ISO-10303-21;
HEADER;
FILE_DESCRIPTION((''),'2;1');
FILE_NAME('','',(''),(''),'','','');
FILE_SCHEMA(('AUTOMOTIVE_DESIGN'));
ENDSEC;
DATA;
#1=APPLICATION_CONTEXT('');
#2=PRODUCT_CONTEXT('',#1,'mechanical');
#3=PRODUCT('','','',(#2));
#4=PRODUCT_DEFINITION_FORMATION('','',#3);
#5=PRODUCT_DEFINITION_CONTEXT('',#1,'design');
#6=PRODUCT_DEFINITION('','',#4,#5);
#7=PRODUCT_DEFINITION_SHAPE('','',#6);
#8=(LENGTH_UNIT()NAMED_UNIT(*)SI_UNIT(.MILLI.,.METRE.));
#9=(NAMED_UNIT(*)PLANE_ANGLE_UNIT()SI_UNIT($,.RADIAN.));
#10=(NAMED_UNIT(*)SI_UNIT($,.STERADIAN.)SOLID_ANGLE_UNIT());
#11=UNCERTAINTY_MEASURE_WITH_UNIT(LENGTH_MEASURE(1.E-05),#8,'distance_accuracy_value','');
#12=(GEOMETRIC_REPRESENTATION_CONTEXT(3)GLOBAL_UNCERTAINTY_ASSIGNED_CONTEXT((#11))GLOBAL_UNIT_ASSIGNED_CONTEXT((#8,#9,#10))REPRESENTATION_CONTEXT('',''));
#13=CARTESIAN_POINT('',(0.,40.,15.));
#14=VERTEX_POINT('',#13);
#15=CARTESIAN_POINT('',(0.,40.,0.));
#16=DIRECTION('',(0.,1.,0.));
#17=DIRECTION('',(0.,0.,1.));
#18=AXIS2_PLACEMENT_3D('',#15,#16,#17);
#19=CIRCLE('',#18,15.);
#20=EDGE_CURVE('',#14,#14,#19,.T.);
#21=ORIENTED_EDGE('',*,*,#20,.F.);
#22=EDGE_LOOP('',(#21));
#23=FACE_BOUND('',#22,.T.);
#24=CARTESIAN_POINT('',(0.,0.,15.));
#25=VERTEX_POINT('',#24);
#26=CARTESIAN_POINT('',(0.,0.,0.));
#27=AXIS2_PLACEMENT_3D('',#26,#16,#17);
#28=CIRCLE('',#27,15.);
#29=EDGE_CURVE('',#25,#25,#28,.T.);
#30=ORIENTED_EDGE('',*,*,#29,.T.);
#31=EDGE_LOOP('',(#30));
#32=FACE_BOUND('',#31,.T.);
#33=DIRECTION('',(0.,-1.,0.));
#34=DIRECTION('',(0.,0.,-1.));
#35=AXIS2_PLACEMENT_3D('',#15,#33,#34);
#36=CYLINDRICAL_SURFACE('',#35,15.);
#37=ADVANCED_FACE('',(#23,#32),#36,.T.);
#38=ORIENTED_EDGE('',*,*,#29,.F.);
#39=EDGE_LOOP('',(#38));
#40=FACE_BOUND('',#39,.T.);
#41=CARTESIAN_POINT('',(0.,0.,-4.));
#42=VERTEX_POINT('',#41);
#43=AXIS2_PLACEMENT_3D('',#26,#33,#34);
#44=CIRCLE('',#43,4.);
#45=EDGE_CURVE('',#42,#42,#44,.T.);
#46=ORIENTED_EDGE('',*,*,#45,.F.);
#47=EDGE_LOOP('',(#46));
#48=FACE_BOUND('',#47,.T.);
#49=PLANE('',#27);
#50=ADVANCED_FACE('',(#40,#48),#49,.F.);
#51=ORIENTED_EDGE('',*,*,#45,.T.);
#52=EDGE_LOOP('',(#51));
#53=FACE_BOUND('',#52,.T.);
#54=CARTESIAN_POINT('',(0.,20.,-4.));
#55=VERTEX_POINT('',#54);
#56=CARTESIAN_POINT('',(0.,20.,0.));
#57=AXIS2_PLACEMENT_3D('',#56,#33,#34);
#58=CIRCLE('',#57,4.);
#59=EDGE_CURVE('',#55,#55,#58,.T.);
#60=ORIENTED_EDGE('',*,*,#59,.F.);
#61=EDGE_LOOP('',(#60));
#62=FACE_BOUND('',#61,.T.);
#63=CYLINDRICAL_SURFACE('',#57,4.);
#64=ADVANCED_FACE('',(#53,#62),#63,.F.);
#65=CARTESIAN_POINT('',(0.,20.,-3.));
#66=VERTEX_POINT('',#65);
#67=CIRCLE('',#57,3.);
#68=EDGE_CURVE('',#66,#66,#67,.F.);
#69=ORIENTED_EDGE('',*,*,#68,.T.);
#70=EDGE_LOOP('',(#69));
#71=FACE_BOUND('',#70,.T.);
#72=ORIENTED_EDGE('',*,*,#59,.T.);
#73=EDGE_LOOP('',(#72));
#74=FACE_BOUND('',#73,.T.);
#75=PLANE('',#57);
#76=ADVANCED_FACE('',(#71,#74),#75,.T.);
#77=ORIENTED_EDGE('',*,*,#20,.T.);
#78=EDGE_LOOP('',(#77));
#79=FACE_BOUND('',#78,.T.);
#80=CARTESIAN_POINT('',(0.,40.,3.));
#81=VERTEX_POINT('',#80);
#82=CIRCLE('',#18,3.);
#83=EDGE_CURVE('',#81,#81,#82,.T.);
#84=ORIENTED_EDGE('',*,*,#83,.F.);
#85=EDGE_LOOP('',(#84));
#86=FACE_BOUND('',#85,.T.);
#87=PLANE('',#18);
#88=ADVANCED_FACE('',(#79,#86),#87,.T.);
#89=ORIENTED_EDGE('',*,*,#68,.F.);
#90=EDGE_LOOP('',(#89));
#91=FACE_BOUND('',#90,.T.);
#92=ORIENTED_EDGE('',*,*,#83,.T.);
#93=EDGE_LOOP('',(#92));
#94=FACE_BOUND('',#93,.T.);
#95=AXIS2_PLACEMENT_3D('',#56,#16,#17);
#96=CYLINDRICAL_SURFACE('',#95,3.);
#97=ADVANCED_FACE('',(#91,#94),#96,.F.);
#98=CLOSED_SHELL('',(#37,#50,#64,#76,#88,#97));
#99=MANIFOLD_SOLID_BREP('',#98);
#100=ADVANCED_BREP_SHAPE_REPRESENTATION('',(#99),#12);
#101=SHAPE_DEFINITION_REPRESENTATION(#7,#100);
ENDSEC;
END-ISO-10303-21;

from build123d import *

# Parameters (mm, degrees)
SKETCH1_R           = 15
BOSS_EXTRUDE1_DEPTH = 40
SKETCH2_R           = 3
CUT_EXTRUDE1_DEPTH  = 20
SKETCH3_R           = 4
CUT_EXTRUDE2_DEPTH  = 20


with BuildPart() as part:
    # Sketch1 → Boss-Extrude1 (new body)
    with BuildSketch(Plane(origin=(0, 0, 0), x_dir=(1, 0, 0), z_dir=(0, 1, 0))):
        Circle(SKETCH1_R)
    extrude(amount=BOSS_EXTRUDE1_DEPTH)

    # Sketch2 → Cut-Extrude1 (cut)
    with BuildSketch(Plane(origin=(0, 40, 0), x_dir=(1, 0, 0), z_dir=(0, 1, 0))):
        Circle(SKETCH2_R)
    extrude(amount=-CUT_EXTRUDE1_DEPTH, mode=Mode.SUBTRACT)

    # Sketch3 → Cut-Extrude2 (cut)
    with BuildSketch(Plane.XZ):
        Circle(SKETCH3_R)
    extrude(amount=-CUT_EXTRUDE2_DEPTH, mode=Mode.SUBTRACT)


solid = part.part
